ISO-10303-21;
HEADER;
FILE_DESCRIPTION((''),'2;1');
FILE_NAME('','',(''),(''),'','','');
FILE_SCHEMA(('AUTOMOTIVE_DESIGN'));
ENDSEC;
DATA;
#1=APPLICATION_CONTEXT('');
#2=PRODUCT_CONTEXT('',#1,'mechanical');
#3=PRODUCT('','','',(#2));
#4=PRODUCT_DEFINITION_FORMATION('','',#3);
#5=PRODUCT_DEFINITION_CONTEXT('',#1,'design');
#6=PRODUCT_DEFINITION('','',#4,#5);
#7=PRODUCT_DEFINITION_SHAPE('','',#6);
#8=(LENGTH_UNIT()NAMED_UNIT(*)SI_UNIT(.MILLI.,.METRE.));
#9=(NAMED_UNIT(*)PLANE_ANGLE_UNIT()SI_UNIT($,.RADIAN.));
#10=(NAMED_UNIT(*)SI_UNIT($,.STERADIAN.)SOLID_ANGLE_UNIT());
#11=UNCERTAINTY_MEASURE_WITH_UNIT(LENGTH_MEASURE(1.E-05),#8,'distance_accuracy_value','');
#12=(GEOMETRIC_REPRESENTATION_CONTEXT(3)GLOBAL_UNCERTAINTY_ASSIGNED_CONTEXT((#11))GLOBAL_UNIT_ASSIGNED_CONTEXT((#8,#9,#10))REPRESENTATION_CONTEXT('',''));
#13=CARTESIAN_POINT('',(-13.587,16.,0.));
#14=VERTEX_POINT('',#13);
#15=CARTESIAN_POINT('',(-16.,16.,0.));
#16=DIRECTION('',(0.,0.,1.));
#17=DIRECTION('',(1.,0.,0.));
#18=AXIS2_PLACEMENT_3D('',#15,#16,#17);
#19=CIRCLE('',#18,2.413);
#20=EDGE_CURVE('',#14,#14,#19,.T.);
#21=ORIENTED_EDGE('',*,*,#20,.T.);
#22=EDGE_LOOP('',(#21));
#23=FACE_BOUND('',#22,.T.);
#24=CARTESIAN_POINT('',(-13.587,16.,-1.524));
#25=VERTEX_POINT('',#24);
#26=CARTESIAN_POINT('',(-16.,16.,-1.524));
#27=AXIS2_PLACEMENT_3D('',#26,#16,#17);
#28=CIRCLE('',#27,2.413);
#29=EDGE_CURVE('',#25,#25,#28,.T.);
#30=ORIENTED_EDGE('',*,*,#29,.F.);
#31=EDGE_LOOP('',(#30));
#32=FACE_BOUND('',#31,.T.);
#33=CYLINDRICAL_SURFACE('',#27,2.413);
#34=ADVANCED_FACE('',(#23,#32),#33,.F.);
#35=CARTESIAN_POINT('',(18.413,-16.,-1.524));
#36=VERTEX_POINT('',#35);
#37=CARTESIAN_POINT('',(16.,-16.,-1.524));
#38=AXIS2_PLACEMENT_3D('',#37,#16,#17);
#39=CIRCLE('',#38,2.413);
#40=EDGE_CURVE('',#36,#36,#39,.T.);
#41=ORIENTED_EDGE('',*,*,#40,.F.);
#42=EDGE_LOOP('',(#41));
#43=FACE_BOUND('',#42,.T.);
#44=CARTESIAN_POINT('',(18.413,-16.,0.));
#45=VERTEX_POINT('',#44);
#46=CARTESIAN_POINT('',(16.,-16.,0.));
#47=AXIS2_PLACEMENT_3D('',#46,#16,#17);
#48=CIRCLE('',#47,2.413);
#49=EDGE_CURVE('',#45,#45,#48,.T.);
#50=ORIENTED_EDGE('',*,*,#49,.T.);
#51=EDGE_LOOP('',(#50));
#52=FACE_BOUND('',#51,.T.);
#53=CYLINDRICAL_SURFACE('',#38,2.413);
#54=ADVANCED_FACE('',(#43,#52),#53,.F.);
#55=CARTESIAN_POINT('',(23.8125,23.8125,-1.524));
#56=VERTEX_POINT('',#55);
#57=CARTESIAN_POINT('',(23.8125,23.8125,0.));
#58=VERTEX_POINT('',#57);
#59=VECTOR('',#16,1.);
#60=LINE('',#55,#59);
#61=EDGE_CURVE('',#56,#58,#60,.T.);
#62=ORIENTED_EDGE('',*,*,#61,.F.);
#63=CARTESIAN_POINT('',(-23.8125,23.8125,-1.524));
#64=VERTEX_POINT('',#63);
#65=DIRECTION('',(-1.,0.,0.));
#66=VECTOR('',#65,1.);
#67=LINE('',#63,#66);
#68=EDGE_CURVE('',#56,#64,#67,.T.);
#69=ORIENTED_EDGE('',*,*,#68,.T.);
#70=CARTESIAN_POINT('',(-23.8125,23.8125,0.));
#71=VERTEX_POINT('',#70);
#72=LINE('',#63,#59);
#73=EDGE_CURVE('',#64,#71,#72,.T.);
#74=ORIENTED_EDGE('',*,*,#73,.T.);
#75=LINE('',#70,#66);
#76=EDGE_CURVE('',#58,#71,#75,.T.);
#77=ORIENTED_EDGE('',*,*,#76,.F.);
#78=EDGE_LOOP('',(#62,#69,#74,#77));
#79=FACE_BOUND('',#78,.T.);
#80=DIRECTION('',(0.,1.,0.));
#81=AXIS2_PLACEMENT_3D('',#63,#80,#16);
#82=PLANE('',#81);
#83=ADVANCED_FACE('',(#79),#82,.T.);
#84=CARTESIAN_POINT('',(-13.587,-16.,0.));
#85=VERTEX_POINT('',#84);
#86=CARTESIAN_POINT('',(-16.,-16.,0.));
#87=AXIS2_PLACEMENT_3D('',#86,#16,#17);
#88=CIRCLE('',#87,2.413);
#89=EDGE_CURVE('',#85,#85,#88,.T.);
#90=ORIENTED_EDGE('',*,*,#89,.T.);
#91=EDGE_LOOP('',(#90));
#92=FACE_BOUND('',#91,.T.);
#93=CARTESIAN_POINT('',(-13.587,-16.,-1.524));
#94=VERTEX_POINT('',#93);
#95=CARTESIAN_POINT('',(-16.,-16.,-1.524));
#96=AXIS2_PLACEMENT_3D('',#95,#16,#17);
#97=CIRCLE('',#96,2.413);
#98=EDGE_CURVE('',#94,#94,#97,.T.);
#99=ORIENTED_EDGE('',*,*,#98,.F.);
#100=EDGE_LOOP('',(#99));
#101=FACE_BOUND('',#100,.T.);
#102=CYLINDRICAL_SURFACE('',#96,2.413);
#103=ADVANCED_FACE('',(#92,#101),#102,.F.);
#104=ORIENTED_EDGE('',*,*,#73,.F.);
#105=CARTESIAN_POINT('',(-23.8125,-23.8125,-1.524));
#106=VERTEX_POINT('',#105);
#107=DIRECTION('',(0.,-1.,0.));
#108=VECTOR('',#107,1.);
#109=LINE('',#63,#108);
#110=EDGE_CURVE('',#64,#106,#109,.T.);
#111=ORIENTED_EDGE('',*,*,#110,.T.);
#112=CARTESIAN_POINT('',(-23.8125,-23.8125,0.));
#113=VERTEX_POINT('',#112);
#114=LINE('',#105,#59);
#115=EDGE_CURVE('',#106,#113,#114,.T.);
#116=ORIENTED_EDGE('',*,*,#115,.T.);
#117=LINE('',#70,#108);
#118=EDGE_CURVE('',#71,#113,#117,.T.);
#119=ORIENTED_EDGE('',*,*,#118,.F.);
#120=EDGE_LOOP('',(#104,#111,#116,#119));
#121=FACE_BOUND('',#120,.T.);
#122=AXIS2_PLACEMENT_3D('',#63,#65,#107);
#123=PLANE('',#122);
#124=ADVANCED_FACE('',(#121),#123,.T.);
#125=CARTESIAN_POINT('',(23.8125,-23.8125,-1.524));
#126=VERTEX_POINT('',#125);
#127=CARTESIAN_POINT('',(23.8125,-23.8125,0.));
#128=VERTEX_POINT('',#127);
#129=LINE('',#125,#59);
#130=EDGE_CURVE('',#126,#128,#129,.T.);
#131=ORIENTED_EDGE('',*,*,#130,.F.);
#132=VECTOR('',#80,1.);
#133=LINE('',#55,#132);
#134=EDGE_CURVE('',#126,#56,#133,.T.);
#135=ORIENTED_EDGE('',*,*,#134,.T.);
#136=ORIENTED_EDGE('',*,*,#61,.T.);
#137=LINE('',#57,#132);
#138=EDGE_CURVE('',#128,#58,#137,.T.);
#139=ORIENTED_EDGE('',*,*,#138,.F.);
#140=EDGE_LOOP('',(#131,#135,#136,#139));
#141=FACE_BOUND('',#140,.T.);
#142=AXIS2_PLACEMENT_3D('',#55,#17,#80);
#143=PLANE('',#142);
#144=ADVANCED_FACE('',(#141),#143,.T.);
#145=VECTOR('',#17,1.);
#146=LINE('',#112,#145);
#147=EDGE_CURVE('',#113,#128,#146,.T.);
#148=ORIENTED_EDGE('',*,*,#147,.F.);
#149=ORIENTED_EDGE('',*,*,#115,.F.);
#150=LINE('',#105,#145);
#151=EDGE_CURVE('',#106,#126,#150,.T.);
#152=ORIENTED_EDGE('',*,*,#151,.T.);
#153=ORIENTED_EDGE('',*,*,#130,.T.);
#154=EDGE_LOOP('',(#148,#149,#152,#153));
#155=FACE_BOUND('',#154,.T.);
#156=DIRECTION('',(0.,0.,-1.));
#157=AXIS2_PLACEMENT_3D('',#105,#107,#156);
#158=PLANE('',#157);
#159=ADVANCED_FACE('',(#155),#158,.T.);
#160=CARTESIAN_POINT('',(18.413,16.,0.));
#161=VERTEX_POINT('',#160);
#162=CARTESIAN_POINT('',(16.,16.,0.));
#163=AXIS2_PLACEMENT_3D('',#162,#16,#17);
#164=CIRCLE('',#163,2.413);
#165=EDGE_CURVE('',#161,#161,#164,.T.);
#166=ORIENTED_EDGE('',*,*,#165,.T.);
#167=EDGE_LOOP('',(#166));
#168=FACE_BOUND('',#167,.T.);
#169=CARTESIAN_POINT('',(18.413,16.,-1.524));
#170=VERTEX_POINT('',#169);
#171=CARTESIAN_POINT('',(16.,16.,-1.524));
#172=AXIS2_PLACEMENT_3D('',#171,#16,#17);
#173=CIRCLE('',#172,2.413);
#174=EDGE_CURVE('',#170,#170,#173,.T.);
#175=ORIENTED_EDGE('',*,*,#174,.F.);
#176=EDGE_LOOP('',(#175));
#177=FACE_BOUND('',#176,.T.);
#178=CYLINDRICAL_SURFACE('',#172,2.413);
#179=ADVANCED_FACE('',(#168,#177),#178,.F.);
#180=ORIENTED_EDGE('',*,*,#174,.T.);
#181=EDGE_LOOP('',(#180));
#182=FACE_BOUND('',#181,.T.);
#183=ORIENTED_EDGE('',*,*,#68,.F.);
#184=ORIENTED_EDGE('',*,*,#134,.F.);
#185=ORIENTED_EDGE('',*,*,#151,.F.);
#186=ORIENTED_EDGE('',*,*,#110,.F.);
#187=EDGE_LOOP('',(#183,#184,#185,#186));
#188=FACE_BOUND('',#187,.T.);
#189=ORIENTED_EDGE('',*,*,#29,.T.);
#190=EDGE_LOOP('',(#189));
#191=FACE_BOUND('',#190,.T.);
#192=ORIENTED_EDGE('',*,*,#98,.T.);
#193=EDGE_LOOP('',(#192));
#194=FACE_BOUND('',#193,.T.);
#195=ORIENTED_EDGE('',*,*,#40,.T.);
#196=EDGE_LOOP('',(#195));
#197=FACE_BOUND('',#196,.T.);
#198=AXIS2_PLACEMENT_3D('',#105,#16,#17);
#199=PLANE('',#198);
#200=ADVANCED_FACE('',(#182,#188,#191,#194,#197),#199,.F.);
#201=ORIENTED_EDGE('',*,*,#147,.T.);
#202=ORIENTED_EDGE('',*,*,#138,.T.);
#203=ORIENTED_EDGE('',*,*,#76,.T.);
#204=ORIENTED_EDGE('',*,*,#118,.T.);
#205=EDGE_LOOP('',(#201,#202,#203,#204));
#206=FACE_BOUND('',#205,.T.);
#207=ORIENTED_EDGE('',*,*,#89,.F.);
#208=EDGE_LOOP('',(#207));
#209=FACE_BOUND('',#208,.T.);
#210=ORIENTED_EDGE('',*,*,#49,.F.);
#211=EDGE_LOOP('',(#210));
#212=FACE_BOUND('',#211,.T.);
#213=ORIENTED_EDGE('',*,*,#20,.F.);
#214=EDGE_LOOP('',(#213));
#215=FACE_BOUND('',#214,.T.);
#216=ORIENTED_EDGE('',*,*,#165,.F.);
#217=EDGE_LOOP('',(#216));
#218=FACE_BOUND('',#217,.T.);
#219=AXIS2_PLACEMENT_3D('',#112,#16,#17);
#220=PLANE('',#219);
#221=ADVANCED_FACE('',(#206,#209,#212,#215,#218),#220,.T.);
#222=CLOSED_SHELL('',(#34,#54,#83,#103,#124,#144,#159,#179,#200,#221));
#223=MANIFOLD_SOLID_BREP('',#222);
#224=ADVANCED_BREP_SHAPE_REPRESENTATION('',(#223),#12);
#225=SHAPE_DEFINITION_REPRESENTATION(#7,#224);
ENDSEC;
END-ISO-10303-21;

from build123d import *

# Parameters (mm, degrees)
SKETCH1_W           = 47.625
SKETCH1_H           = 47.625
SKETCH1_R           = 2.413
BOSS_EXTRUDE1_DEPTH = 1.524


with BuildPart() as part:
    # Sketch1 → Boss-Extrude1 (new body)
    with BuildSketch(Plane.XY):
        Rectangle(SKETCH1_W, SKETCH1_H)
        with Locations((-16, 16)):
            Circle(SKETCH1_R, mode=Mode.SUBTRACT)
        with Locations((16, 16)):
            Circle(SKETCH1_R, mode=Mode.SUBTRACT)
        with Locations((-16, -16)):
            Circle(SKETCH1_R, mode=Mode.SUBTRACT)
        with Locations((16, -16)):
            Circle(SKETCH1_R, mode=Mode.SUBTRACT)
    extrude(amount=-BOSS_EXTRUDE1_DEPTH)


solid = part.part
